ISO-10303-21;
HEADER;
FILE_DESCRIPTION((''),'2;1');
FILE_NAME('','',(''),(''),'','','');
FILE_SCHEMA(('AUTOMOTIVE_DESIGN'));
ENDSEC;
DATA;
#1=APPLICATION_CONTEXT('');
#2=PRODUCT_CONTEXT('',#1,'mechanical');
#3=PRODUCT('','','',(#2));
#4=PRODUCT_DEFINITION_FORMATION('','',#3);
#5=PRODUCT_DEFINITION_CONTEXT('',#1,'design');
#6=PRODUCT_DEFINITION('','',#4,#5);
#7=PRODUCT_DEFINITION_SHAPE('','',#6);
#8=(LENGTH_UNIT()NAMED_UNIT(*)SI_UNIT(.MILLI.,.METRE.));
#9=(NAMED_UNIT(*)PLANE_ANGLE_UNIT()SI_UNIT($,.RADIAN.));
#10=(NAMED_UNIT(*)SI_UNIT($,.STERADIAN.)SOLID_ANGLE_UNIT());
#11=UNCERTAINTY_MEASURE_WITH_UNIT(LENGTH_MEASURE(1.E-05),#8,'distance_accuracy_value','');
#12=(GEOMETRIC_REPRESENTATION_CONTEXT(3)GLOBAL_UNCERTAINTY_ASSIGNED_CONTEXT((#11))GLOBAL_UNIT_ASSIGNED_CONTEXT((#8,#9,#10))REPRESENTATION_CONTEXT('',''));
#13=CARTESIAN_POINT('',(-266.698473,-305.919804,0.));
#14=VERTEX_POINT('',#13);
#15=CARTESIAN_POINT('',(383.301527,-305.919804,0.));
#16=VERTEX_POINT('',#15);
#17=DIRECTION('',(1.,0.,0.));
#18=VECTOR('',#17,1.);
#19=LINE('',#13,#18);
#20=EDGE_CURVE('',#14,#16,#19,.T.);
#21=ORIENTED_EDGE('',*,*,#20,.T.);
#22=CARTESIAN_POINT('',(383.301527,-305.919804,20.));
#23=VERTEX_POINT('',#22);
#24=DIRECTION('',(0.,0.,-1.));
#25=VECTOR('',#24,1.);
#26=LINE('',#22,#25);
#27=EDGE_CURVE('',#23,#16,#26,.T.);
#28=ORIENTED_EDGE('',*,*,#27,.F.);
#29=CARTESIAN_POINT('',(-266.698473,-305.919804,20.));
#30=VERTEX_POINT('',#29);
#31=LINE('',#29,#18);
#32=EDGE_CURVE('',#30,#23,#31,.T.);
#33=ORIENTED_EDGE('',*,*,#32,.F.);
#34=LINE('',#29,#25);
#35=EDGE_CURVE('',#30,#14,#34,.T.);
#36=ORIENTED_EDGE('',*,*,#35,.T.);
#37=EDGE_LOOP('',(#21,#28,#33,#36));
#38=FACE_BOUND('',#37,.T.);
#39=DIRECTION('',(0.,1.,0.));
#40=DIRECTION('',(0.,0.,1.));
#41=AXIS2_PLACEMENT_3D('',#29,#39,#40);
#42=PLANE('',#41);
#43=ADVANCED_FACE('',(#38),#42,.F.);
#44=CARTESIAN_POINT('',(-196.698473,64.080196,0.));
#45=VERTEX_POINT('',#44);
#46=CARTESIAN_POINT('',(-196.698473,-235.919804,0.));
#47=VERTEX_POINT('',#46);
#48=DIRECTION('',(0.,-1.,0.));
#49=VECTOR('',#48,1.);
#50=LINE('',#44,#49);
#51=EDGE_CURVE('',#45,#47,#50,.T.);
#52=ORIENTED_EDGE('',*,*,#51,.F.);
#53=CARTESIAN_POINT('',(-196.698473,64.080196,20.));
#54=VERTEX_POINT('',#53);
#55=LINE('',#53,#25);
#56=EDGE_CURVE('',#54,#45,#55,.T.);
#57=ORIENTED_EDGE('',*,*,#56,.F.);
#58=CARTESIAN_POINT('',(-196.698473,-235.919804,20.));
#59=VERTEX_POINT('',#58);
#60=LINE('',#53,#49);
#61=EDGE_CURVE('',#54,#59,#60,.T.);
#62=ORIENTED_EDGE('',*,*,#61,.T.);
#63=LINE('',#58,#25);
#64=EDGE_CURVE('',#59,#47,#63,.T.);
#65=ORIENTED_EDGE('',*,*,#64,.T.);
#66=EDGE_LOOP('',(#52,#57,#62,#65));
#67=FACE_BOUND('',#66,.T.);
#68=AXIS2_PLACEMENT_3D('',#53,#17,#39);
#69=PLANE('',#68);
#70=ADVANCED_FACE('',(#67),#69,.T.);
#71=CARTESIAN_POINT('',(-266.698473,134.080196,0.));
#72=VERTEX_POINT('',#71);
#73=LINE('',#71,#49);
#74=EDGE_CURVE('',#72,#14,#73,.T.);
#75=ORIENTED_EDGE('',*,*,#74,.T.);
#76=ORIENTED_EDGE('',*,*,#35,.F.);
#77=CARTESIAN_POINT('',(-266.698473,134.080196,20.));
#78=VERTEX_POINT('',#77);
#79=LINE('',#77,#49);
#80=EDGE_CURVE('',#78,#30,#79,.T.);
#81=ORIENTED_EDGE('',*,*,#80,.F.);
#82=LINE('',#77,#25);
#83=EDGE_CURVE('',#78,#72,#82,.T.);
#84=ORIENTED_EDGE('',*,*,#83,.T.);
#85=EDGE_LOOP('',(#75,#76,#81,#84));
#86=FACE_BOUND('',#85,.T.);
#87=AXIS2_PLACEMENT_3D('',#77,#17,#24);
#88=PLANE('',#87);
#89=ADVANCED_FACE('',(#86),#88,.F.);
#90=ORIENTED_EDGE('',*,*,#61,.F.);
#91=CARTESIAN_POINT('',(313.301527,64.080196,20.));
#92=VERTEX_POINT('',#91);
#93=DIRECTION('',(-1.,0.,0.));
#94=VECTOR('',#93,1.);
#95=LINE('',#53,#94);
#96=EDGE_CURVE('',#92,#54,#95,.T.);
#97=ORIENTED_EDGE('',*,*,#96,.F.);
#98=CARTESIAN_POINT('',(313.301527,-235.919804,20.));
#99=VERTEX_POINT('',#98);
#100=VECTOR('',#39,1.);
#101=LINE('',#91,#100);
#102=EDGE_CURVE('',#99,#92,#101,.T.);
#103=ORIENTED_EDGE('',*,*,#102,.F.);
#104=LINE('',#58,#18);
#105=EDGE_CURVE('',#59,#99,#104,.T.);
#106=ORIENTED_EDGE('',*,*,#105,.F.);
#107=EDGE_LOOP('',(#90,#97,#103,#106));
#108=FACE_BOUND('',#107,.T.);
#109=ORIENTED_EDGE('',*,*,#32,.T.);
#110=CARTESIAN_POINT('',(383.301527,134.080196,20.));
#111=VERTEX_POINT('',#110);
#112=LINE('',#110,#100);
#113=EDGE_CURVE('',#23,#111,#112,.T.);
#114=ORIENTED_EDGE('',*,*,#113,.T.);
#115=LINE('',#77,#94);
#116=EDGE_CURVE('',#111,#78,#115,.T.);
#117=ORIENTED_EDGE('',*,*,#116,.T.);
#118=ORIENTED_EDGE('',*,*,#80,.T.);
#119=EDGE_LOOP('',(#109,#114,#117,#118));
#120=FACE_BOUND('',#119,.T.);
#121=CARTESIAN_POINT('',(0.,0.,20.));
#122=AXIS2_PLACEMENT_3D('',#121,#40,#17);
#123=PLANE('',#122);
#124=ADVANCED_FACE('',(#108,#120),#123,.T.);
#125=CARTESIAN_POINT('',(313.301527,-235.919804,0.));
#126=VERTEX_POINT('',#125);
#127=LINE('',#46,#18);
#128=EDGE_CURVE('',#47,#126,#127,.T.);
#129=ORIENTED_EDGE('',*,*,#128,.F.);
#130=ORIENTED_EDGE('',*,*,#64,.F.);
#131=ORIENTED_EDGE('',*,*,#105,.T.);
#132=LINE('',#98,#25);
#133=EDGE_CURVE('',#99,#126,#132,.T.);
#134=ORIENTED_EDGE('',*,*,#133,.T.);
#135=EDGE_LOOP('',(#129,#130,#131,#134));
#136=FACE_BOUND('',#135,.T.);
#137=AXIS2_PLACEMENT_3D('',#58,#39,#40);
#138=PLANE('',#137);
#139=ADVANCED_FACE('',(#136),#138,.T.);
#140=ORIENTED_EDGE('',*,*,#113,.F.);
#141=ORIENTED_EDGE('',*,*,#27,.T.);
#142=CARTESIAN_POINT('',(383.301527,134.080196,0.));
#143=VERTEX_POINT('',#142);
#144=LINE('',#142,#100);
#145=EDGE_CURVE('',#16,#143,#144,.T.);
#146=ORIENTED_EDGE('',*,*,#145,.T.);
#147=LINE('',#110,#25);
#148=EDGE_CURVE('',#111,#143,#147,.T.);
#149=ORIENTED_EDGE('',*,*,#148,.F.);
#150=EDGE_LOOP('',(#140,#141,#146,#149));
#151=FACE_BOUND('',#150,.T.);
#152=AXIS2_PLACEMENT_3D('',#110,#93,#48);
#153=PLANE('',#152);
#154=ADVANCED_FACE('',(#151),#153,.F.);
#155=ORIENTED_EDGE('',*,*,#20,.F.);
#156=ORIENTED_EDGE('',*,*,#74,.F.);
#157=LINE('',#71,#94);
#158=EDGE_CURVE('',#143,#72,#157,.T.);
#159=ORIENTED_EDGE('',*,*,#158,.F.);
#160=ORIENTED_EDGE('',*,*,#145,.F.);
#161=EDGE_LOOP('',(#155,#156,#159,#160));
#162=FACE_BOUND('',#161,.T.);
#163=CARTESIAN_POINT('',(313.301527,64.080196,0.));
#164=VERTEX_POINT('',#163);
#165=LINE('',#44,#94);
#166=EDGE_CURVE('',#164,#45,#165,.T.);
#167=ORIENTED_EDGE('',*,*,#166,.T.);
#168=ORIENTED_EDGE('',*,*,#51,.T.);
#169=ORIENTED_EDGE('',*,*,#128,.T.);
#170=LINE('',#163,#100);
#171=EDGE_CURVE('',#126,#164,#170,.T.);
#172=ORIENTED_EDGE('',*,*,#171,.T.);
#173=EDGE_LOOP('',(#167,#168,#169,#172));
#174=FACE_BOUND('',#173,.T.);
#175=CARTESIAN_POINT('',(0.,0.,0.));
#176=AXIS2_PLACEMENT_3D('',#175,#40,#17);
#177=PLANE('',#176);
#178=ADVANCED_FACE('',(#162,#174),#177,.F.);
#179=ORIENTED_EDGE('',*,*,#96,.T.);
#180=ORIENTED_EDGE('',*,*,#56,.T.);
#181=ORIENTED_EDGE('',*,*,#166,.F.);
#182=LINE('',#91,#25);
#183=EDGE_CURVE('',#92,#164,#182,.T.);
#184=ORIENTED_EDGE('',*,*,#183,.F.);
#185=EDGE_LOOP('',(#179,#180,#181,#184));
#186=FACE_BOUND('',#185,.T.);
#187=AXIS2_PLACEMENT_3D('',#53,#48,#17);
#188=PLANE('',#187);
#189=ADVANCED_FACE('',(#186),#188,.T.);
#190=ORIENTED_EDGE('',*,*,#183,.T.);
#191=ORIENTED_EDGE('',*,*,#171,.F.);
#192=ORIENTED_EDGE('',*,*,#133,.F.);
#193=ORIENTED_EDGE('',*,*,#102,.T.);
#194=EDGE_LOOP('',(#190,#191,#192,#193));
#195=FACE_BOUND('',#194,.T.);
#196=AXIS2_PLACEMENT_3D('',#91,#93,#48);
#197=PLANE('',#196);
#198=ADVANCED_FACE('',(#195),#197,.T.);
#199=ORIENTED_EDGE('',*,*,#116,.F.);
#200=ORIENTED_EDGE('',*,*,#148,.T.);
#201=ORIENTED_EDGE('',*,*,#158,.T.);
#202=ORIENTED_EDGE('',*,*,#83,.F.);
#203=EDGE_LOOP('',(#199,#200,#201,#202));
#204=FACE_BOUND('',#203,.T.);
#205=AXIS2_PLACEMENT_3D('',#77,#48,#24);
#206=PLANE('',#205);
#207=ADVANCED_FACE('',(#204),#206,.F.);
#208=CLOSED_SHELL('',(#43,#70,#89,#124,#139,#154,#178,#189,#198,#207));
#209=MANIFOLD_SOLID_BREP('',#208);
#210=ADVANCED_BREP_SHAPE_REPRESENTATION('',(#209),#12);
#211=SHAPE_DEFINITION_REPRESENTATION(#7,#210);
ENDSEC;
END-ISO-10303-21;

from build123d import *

# Parameters (mm, degrees)
SKETCH1_W           = 650
SKETCH1_H           = 440
SKETCH1_W_2         = 510
SKETCH1_H_2         = 300
BOSS_EXTRUDE1_DEPTH = 20


with BuildPart() as part:
    # Sketch1 → Boss-Extrude1 (new body)
    with BuildSketch(Plane.XY):
        with Locations((58.301526718, -85.919804419)):
            Rectangle(SKETCH1_W, SKETCH1_H)
        with Locations((58.301526718, -85.919804419)):
            Rectangle(SKETCH1_W_2, SKETCH1_H_2, mode=Mode.SUBTRACT)
    extrude(amount=BOSS_EXTRUDE1_DEPTH)


solid = part.part
